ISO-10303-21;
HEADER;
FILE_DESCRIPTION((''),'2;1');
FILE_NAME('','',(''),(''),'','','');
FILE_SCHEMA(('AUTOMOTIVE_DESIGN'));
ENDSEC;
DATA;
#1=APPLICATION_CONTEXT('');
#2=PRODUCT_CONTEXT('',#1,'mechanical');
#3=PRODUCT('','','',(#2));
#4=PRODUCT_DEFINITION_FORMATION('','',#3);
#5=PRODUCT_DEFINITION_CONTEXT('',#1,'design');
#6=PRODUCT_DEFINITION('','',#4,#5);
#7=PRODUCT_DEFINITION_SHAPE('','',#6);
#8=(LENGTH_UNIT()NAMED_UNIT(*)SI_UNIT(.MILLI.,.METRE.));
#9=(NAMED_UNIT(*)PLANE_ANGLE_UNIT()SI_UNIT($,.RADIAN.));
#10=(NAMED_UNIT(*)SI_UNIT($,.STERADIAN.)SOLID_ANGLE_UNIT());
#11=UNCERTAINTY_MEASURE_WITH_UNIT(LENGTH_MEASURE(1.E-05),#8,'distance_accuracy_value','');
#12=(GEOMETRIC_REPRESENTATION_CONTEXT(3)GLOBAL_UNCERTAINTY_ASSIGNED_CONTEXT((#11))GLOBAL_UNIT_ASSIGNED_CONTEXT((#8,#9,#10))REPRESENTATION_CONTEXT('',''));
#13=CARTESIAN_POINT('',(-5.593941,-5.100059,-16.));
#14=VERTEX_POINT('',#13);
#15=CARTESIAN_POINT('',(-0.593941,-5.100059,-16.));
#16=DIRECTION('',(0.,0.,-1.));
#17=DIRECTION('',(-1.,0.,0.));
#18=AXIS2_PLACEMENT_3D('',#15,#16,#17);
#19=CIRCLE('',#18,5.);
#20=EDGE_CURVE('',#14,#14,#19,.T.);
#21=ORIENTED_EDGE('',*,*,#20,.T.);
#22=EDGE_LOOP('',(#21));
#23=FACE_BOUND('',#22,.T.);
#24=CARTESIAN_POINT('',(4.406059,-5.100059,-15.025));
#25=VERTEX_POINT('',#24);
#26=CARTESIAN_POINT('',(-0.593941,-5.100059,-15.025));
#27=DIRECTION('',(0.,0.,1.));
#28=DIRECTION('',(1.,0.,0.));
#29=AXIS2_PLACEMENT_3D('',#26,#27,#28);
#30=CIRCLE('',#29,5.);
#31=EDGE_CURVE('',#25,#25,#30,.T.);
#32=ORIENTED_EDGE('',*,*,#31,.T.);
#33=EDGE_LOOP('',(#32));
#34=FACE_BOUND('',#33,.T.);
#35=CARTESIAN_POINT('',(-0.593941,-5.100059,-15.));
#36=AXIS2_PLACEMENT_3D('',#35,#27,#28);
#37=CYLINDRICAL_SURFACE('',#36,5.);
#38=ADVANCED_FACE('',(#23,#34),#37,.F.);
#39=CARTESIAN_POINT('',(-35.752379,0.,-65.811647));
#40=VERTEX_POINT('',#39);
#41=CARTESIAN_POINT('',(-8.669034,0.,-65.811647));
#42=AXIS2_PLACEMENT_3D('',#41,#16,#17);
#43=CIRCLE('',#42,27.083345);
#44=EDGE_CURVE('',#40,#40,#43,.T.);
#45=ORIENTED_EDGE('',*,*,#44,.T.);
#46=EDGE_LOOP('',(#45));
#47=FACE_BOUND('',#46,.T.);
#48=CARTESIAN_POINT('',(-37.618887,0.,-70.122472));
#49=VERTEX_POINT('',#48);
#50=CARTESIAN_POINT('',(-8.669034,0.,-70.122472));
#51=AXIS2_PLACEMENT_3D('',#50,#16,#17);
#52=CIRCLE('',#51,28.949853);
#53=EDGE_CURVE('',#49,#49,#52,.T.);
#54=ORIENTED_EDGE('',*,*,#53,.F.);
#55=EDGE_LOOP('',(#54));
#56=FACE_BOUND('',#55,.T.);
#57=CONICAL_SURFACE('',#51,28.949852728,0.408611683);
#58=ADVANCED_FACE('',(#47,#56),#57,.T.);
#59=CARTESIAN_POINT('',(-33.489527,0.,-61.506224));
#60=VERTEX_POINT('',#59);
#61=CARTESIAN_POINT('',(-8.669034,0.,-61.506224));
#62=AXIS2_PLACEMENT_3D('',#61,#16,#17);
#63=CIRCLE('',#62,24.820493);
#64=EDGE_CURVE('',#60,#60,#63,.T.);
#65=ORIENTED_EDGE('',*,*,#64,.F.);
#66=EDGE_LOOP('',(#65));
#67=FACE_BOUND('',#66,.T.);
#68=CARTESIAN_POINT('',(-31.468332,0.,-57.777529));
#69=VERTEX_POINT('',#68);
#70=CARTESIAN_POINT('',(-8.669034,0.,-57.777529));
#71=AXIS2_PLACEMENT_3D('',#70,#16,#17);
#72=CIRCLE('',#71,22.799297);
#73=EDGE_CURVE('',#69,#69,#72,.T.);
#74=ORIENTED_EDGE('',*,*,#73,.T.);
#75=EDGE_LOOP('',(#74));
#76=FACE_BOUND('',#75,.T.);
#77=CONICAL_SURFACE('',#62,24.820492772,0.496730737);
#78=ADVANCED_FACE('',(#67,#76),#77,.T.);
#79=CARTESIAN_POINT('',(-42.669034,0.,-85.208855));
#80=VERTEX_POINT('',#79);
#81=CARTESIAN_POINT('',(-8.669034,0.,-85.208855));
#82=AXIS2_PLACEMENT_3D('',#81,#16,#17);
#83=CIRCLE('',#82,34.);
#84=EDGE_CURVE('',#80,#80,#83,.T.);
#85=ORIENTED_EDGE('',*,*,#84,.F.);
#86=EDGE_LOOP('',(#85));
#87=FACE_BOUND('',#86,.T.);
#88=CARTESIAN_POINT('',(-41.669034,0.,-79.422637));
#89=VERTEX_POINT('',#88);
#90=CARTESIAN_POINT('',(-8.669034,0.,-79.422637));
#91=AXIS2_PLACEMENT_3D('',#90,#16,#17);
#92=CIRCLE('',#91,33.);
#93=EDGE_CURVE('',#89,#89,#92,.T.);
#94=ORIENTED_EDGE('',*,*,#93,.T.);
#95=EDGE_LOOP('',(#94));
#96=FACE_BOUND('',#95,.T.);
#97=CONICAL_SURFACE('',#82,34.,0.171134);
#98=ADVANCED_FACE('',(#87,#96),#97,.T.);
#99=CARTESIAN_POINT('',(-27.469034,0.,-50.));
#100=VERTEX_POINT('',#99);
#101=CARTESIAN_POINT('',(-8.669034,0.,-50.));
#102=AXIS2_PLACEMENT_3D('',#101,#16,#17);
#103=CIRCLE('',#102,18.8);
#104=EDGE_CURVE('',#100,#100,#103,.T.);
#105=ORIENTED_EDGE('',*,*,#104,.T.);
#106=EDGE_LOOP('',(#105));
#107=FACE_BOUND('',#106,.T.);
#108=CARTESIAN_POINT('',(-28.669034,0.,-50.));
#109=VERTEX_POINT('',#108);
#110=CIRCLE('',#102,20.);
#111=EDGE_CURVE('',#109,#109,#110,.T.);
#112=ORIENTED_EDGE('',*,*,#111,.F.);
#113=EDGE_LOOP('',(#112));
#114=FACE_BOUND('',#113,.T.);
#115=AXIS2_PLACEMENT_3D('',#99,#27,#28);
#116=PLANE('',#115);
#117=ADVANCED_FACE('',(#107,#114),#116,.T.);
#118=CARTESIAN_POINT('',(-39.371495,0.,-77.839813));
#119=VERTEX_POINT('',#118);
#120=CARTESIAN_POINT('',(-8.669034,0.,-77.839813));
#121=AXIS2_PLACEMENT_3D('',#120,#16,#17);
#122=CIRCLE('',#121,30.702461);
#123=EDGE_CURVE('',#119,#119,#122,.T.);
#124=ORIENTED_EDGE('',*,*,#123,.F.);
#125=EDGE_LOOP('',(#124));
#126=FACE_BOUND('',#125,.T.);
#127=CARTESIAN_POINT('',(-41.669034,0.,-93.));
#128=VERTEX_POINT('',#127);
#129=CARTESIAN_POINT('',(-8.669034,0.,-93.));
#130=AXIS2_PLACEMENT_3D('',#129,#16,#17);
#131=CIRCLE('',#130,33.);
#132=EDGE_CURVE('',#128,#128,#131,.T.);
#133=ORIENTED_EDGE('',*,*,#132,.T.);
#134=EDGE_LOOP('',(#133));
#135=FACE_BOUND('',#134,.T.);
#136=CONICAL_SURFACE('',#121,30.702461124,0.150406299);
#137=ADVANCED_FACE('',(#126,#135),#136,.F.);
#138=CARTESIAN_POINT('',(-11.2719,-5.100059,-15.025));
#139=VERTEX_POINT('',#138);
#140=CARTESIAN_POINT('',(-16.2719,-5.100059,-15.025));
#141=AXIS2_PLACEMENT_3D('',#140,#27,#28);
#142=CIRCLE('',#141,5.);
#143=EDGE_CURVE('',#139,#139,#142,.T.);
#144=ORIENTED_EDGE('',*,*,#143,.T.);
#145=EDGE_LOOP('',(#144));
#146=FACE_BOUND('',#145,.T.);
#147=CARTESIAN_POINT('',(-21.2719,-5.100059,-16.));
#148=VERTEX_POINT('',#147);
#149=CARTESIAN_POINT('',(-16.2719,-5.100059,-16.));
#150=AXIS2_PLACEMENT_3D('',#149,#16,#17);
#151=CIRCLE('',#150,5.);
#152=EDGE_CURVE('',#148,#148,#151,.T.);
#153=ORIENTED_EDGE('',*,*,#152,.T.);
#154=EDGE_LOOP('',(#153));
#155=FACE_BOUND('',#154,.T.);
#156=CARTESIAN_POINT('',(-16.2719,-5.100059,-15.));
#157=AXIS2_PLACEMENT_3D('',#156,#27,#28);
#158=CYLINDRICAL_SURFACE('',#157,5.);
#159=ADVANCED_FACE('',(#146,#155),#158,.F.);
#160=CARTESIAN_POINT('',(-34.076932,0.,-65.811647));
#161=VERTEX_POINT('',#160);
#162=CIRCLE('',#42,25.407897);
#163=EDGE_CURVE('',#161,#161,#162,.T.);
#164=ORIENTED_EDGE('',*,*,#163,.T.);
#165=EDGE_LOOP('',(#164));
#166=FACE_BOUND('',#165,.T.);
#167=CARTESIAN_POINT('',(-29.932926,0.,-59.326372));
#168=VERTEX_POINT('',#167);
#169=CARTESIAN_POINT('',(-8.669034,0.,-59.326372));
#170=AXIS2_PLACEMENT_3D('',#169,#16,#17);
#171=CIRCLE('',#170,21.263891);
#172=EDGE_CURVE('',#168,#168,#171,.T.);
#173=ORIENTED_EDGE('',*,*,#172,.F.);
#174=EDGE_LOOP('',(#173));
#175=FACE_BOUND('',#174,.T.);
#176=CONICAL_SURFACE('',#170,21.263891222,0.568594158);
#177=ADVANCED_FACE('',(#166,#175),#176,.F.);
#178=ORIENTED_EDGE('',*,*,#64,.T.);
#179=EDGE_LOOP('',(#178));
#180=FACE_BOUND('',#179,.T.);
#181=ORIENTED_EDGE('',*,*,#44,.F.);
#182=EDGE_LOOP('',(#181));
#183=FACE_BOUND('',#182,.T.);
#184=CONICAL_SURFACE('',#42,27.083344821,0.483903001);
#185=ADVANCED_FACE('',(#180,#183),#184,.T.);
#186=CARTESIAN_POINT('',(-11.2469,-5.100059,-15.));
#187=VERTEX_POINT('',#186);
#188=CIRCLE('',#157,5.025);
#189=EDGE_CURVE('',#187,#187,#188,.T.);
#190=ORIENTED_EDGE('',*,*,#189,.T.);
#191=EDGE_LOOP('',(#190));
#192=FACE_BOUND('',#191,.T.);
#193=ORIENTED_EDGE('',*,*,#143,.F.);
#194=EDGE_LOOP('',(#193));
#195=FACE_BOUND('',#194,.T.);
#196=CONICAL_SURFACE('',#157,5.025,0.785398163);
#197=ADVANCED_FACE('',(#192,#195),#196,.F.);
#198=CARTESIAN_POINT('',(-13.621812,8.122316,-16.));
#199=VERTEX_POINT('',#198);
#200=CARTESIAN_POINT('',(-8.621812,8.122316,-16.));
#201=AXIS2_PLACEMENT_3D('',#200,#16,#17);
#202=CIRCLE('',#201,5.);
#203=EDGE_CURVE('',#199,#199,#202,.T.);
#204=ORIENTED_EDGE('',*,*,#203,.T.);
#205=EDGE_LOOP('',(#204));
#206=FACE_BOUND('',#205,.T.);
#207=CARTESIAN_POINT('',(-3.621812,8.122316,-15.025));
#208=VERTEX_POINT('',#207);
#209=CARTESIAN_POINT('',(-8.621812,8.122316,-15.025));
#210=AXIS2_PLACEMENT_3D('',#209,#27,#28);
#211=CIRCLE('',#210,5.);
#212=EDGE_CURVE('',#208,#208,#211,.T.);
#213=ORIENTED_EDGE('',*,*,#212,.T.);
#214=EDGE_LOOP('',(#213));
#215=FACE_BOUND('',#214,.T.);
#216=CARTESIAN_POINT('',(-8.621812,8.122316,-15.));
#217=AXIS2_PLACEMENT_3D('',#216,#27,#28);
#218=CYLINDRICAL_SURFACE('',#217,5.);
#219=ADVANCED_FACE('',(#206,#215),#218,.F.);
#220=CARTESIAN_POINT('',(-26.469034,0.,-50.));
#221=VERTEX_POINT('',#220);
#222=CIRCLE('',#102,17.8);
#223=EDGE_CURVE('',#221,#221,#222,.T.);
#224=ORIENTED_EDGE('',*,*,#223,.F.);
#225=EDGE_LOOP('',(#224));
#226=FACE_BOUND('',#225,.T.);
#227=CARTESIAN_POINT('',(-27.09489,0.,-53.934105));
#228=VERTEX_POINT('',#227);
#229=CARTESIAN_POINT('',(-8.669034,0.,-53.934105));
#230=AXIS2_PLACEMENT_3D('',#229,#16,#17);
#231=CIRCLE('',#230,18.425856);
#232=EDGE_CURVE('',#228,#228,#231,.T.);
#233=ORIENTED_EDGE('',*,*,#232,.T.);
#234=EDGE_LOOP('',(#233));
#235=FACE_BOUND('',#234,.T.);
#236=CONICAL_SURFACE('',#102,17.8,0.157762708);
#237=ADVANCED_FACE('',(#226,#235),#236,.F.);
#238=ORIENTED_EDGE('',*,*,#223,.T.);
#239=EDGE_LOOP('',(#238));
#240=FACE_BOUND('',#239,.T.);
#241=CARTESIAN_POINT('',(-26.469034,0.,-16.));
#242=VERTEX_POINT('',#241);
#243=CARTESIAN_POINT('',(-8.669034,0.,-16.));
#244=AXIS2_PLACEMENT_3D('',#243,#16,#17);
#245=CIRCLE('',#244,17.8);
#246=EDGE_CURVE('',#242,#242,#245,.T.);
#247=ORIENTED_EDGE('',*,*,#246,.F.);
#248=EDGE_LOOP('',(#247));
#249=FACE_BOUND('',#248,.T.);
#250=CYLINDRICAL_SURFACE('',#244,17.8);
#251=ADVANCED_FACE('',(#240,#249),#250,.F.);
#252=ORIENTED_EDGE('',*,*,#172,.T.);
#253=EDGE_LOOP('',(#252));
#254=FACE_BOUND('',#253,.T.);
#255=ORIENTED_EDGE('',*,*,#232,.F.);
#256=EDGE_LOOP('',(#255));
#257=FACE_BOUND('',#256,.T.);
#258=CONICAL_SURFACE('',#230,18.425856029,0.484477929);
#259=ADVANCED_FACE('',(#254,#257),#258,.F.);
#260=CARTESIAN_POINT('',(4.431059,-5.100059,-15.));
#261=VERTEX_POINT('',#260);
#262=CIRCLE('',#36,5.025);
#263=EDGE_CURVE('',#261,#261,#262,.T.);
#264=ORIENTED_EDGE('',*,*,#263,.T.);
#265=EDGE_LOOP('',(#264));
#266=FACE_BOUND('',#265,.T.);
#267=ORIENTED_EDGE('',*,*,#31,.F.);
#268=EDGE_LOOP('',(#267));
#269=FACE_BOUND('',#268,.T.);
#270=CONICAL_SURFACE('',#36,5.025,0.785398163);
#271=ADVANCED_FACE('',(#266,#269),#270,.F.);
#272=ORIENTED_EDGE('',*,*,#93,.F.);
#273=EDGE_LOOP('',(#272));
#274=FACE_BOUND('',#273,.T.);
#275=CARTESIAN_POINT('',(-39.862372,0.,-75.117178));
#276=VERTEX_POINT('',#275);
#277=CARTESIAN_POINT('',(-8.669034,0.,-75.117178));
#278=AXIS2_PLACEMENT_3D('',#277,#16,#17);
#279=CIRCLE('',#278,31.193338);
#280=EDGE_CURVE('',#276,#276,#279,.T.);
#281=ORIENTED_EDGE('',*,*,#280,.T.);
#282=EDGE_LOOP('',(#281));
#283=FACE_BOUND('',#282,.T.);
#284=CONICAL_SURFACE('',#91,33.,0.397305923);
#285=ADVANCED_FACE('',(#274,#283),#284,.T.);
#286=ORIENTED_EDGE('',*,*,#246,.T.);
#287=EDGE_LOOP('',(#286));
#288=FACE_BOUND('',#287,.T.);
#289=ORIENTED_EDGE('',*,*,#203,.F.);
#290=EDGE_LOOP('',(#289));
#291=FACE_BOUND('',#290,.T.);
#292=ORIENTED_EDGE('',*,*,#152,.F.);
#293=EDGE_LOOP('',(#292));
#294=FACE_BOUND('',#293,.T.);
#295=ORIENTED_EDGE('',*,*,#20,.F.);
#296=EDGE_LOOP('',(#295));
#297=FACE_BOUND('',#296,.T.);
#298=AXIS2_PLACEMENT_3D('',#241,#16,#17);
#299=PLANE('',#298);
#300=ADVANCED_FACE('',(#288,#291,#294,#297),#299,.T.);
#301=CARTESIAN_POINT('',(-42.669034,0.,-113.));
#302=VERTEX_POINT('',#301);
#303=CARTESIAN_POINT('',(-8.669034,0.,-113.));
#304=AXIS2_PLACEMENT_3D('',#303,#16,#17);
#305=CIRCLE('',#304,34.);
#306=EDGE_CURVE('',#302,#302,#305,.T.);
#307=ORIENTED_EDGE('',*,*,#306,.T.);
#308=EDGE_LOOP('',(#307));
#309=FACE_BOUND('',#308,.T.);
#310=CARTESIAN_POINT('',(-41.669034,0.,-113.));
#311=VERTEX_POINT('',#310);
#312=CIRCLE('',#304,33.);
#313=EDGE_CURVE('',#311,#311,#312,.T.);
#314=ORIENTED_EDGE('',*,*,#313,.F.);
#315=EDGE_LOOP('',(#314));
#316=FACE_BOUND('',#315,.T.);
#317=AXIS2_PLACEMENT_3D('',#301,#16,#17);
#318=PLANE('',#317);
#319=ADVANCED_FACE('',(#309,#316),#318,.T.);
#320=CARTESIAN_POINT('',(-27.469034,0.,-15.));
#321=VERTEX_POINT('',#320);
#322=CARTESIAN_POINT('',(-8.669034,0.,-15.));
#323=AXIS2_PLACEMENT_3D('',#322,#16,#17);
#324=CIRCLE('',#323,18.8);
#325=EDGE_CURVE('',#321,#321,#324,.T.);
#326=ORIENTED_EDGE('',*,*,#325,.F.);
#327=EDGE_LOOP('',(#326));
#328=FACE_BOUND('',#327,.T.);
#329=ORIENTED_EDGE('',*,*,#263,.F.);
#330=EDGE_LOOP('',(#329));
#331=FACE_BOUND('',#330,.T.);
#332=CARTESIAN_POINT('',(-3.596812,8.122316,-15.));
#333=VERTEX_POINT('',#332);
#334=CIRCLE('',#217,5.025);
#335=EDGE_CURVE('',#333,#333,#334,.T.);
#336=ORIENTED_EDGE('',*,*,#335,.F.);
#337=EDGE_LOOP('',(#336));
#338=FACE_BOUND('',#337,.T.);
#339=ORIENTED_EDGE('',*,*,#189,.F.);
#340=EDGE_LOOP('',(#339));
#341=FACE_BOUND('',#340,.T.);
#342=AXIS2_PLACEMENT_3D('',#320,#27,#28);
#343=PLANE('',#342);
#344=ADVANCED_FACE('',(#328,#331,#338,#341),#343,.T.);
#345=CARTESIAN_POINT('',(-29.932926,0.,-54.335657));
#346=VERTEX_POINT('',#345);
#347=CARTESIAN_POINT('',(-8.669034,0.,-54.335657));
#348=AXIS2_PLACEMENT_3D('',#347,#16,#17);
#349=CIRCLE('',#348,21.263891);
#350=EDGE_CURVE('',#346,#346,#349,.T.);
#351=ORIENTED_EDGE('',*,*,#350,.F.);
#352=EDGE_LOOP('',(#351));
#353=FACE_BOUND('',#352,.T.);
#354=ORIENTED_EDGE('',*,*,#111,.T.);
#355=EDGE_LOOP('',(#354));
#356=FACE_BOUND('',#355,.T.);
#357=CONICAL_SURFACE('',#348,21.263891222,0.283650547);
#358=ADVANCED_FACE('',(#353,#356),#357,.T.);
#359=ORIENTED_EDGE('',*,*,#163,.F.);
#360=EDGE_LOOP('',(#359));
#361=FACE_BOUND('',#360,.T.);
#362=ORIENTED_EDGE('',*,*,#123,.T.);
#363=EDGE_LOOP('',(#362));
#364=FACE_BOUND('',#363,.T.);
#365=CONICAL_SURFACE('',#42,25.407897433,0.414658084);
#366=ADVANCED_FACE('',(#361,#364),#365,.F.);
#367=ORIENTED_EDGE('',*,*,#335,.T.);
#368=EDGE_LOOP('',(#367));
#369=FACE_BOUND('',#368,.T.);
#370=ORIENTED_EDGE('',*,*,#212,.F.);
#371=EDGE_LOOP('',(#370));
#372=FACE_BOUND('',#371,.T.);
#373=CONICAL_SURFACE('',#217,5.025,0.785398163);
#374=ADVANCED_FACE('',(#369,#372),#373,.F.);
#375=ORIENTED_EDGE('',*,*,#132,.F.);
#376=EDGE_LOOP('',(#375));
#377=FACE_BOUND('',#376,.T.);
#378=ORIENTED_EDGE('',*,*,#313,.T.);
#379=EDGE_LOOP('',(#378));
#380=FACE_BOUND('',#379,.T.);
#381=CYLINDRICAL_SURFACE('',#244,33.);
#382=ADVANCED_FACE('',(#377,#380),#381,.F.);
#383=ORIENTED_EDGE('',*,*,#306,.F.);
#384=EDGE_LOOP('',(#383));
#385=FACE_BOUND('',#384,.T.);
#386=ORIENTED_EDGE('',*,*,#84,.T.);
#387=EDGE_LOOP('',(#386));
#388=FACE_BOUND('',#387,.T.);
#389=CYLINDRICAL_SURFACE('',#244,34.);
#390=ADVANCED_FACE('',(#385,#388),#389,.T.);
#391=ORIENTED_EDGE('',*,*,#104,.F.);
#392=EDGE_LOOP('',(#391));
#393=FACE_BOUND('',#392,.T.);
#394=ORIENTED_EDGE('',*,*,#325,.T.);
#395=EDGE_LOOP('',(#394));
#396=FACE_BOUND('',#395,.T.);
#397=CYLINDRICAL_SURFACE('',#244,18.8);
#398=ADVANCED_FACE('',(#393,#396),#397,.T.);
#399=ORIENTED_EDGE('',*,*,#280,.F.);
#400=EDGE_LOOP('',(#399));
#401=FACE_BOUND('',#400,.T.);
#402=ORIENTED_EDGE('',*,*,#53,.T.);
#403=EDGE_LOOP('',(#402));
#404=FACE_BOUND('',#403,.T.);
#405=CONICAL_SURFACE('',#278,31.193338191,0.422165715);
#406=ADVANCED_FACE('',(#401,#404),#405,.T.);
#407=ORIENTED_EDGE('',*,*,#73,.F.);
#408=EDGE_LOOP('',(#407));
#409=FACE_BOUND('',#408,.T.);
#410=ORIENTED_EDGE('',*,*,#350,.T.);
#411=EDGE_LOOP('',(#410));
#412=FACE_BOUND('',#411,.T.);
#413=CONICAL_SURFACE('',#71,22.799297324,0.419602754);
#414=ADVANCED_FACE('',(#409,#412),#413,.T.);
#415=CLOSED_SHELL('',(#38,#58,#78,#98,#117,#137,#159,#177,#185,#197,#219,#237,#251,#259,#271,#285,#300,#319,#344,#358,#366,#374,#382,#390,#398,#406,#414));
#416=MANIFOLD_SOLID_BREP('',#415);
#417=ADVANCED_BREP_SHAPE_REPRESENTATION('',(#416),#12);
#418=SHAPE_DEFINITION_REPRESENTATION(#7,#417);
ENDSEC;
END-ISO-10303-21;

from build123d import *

# Parameters (mm, degrees)
F_10_0MM_DOWEL_HOLE1_D           = 10
F_10_0MM_DOWEL_HOLE1_CSINK_D     = 10.05
F_10_0MM_DOWEL_HOLE1_CSINK_ANGLE = 90


with BuildPart() as part:
    # ff → Revolve1 (revolve)
    with BuildSketch(Plane(origin=(0, 0, 0), x_dir=(1, 0, 0), z_dir=(0, 1, 0))):
        Polygon((-27.469034289, 50), (-28.669034289, 50), (-29.932925511, 54.335656855), (-31.468331613, 57.777529323), (-33.489527061, 61.506224497), (-35.752379109, 65.81164745), (-37.618887017, 70.122472229), (-39.86237248, 75.117178167), (-41.669034289, 79.422637332), (-42.669034289, 85.208855182), (-42.669034289, 90.333303824), (-42.669034289, 93), (-42.669034289, 113), (-41.669034289, 113), (-41.669034289, 93), (-39.371495413, 77.8398126), (-34.076931722, 65.81164745), (-29.932925511, 59.326371933), (-27.094890318, 53.934105067), (-26.469034289, 50), (-26.469034289, 16), (-8.669034289, 16), (-8.669034289, 15), (-27.469034289, 15), align=None)
    revolve(axis=Axis((-8.669034289, 0, -16), (0, 0, 1)))

    # Ø10.0mm Dowel Hole1 (through all)
    with Locations(Plane.XY.offset(-15)):
        with Locations((-8.62181152, 8.122316285), (-16.271900114, -5.100059063), (-0.593940773, -5.100059063)):
            CounterSinkHole(F_10_0MM_DOWEL_HOLE1_D / 2, F_10_0MM_DOWEL_HOLE1_CSINK_D / 2, counter_sink_angle=F_10_0MM_DOWEL_HOLE1_CSINK_ANGLE)


solid = part.part
